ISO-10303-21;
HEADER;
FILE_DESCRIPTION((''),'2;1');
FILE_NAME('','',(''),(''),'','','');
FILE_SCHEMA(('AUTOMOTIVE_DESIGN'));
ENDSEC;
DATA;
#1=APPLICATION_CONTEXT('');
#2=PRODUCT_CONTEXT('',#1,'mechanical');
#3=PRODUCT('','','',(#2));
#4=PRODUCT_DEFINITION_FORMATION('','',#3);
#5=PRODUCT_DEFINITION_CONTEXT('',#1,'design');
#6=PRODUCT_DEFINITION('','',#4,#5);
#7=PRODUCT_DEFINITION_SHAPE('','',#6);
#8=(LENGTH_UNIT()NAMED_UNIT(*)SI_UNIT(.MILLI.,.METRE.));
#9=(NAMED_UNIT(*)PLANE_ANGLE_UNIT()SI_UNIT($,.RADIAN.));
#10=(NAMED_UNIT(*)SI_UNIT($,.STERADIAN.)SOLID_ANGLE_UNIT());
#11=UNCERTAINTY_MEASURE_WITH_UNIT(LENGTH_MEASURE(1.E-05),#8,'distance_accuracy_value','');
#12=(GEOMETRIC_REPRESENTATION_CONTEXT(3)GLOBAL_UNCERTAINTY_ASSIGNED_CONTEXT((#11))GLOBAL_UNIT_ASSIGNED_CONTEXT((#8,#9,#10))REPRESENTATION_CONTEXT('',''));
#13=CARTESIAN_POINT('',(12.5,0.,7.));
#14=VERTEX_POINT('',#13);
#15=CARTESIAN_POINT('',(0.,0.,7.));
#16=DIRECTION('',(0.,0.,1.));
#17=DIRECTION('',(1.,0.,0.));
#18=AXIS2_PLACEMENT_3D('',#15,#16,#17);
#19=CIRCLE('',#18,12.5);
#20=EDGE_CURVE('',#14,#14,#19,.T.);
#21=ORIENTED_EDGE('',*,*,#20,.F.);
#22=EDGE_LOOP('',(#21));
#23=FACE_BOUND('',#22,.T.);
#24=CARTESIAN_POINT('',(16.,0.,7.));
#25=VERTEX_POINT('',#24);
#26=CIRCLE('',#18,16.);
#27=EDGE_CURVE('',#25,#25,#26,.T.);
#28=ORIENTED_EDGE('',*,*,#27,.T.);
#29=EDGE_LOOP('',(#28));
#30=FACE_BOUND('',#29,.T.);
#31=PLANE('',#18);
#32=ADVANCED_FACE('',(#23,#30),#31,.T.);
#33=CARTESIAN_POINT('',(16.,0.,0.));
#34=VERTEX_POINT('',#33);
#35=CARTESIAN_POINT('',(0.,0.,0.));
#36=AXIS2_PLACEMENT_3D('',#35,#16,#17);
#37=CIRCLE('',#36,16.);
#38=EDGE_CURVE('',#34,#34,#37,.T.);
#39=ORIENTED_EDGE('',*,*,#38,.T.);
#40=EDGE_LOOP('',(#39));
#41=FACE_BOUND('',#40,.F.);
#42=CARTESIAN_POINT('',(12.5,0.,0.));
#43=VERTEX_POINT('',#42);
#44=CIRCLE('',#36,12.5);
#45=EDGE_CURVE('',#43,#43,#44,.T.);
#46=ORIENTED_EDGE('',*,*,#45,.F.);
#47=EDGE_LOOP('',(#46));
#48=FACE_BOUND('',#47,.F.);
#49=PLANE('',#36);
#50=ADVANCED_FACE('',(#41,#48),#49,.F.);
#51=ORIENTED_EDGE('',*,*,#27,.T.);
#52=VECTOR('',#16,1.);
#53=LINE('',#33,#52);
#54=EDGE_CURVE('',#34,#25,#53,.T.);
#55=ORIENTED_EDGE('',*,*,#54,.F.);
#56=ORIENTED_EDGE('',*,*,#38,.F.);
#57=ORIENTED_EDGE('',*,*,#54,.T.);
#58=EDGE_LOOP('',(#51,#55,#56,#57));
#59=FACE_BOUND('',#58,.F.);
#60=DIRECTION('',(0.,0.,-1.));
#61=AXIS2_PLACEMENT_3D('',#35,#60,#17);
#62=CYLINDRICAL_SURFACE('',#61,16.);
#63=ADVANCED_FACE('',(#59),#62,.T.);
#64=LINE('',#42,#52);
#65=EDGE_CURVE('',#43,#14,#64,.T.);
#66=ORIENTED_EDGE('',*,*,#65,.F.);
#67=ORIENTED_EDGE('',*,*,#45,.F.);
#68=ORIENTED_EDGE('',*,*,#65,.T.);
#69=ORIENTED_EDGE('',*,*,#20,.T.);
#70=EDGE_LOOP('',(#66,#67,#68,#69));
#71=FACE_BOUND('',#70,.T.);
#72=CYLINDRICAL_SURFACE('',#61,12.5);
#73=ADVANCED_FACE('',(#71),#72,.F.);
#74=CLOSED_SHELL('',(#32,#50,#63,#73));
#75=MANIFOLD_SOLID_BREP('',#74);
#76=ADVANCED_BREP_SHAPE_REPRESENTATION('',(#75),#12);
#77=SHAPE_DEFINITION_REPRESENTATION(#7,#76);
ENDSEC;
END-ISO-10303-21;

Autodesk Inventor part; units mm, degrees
ref_plane "YZ Plane" through (0, 0, 0) normal (1, 0, 0) x (0, 1, 0)
ref_plane "XZ Plane" through (0, 0, 0) normal (0, 1, 0) x (-1, 0, 0)
ref_plane "XY Plane" through (0, 0, 0) normal (0, 0, 1) x (1, 0, 0)
sketch "Sketch1" plane through (0, 0, 0) normal (0, 0, 1) x (1, 0, 0)
  circle A0 centre (0, 0) radius 12.5
  circle A1 centre (0, 0) radius 16
  dimension "d0" = 32
  dimension "d1" = 25
extrude "Extrusion1" add sketch "Sketch1" along normal blind 7
properties part number "bearing35x25x7"
